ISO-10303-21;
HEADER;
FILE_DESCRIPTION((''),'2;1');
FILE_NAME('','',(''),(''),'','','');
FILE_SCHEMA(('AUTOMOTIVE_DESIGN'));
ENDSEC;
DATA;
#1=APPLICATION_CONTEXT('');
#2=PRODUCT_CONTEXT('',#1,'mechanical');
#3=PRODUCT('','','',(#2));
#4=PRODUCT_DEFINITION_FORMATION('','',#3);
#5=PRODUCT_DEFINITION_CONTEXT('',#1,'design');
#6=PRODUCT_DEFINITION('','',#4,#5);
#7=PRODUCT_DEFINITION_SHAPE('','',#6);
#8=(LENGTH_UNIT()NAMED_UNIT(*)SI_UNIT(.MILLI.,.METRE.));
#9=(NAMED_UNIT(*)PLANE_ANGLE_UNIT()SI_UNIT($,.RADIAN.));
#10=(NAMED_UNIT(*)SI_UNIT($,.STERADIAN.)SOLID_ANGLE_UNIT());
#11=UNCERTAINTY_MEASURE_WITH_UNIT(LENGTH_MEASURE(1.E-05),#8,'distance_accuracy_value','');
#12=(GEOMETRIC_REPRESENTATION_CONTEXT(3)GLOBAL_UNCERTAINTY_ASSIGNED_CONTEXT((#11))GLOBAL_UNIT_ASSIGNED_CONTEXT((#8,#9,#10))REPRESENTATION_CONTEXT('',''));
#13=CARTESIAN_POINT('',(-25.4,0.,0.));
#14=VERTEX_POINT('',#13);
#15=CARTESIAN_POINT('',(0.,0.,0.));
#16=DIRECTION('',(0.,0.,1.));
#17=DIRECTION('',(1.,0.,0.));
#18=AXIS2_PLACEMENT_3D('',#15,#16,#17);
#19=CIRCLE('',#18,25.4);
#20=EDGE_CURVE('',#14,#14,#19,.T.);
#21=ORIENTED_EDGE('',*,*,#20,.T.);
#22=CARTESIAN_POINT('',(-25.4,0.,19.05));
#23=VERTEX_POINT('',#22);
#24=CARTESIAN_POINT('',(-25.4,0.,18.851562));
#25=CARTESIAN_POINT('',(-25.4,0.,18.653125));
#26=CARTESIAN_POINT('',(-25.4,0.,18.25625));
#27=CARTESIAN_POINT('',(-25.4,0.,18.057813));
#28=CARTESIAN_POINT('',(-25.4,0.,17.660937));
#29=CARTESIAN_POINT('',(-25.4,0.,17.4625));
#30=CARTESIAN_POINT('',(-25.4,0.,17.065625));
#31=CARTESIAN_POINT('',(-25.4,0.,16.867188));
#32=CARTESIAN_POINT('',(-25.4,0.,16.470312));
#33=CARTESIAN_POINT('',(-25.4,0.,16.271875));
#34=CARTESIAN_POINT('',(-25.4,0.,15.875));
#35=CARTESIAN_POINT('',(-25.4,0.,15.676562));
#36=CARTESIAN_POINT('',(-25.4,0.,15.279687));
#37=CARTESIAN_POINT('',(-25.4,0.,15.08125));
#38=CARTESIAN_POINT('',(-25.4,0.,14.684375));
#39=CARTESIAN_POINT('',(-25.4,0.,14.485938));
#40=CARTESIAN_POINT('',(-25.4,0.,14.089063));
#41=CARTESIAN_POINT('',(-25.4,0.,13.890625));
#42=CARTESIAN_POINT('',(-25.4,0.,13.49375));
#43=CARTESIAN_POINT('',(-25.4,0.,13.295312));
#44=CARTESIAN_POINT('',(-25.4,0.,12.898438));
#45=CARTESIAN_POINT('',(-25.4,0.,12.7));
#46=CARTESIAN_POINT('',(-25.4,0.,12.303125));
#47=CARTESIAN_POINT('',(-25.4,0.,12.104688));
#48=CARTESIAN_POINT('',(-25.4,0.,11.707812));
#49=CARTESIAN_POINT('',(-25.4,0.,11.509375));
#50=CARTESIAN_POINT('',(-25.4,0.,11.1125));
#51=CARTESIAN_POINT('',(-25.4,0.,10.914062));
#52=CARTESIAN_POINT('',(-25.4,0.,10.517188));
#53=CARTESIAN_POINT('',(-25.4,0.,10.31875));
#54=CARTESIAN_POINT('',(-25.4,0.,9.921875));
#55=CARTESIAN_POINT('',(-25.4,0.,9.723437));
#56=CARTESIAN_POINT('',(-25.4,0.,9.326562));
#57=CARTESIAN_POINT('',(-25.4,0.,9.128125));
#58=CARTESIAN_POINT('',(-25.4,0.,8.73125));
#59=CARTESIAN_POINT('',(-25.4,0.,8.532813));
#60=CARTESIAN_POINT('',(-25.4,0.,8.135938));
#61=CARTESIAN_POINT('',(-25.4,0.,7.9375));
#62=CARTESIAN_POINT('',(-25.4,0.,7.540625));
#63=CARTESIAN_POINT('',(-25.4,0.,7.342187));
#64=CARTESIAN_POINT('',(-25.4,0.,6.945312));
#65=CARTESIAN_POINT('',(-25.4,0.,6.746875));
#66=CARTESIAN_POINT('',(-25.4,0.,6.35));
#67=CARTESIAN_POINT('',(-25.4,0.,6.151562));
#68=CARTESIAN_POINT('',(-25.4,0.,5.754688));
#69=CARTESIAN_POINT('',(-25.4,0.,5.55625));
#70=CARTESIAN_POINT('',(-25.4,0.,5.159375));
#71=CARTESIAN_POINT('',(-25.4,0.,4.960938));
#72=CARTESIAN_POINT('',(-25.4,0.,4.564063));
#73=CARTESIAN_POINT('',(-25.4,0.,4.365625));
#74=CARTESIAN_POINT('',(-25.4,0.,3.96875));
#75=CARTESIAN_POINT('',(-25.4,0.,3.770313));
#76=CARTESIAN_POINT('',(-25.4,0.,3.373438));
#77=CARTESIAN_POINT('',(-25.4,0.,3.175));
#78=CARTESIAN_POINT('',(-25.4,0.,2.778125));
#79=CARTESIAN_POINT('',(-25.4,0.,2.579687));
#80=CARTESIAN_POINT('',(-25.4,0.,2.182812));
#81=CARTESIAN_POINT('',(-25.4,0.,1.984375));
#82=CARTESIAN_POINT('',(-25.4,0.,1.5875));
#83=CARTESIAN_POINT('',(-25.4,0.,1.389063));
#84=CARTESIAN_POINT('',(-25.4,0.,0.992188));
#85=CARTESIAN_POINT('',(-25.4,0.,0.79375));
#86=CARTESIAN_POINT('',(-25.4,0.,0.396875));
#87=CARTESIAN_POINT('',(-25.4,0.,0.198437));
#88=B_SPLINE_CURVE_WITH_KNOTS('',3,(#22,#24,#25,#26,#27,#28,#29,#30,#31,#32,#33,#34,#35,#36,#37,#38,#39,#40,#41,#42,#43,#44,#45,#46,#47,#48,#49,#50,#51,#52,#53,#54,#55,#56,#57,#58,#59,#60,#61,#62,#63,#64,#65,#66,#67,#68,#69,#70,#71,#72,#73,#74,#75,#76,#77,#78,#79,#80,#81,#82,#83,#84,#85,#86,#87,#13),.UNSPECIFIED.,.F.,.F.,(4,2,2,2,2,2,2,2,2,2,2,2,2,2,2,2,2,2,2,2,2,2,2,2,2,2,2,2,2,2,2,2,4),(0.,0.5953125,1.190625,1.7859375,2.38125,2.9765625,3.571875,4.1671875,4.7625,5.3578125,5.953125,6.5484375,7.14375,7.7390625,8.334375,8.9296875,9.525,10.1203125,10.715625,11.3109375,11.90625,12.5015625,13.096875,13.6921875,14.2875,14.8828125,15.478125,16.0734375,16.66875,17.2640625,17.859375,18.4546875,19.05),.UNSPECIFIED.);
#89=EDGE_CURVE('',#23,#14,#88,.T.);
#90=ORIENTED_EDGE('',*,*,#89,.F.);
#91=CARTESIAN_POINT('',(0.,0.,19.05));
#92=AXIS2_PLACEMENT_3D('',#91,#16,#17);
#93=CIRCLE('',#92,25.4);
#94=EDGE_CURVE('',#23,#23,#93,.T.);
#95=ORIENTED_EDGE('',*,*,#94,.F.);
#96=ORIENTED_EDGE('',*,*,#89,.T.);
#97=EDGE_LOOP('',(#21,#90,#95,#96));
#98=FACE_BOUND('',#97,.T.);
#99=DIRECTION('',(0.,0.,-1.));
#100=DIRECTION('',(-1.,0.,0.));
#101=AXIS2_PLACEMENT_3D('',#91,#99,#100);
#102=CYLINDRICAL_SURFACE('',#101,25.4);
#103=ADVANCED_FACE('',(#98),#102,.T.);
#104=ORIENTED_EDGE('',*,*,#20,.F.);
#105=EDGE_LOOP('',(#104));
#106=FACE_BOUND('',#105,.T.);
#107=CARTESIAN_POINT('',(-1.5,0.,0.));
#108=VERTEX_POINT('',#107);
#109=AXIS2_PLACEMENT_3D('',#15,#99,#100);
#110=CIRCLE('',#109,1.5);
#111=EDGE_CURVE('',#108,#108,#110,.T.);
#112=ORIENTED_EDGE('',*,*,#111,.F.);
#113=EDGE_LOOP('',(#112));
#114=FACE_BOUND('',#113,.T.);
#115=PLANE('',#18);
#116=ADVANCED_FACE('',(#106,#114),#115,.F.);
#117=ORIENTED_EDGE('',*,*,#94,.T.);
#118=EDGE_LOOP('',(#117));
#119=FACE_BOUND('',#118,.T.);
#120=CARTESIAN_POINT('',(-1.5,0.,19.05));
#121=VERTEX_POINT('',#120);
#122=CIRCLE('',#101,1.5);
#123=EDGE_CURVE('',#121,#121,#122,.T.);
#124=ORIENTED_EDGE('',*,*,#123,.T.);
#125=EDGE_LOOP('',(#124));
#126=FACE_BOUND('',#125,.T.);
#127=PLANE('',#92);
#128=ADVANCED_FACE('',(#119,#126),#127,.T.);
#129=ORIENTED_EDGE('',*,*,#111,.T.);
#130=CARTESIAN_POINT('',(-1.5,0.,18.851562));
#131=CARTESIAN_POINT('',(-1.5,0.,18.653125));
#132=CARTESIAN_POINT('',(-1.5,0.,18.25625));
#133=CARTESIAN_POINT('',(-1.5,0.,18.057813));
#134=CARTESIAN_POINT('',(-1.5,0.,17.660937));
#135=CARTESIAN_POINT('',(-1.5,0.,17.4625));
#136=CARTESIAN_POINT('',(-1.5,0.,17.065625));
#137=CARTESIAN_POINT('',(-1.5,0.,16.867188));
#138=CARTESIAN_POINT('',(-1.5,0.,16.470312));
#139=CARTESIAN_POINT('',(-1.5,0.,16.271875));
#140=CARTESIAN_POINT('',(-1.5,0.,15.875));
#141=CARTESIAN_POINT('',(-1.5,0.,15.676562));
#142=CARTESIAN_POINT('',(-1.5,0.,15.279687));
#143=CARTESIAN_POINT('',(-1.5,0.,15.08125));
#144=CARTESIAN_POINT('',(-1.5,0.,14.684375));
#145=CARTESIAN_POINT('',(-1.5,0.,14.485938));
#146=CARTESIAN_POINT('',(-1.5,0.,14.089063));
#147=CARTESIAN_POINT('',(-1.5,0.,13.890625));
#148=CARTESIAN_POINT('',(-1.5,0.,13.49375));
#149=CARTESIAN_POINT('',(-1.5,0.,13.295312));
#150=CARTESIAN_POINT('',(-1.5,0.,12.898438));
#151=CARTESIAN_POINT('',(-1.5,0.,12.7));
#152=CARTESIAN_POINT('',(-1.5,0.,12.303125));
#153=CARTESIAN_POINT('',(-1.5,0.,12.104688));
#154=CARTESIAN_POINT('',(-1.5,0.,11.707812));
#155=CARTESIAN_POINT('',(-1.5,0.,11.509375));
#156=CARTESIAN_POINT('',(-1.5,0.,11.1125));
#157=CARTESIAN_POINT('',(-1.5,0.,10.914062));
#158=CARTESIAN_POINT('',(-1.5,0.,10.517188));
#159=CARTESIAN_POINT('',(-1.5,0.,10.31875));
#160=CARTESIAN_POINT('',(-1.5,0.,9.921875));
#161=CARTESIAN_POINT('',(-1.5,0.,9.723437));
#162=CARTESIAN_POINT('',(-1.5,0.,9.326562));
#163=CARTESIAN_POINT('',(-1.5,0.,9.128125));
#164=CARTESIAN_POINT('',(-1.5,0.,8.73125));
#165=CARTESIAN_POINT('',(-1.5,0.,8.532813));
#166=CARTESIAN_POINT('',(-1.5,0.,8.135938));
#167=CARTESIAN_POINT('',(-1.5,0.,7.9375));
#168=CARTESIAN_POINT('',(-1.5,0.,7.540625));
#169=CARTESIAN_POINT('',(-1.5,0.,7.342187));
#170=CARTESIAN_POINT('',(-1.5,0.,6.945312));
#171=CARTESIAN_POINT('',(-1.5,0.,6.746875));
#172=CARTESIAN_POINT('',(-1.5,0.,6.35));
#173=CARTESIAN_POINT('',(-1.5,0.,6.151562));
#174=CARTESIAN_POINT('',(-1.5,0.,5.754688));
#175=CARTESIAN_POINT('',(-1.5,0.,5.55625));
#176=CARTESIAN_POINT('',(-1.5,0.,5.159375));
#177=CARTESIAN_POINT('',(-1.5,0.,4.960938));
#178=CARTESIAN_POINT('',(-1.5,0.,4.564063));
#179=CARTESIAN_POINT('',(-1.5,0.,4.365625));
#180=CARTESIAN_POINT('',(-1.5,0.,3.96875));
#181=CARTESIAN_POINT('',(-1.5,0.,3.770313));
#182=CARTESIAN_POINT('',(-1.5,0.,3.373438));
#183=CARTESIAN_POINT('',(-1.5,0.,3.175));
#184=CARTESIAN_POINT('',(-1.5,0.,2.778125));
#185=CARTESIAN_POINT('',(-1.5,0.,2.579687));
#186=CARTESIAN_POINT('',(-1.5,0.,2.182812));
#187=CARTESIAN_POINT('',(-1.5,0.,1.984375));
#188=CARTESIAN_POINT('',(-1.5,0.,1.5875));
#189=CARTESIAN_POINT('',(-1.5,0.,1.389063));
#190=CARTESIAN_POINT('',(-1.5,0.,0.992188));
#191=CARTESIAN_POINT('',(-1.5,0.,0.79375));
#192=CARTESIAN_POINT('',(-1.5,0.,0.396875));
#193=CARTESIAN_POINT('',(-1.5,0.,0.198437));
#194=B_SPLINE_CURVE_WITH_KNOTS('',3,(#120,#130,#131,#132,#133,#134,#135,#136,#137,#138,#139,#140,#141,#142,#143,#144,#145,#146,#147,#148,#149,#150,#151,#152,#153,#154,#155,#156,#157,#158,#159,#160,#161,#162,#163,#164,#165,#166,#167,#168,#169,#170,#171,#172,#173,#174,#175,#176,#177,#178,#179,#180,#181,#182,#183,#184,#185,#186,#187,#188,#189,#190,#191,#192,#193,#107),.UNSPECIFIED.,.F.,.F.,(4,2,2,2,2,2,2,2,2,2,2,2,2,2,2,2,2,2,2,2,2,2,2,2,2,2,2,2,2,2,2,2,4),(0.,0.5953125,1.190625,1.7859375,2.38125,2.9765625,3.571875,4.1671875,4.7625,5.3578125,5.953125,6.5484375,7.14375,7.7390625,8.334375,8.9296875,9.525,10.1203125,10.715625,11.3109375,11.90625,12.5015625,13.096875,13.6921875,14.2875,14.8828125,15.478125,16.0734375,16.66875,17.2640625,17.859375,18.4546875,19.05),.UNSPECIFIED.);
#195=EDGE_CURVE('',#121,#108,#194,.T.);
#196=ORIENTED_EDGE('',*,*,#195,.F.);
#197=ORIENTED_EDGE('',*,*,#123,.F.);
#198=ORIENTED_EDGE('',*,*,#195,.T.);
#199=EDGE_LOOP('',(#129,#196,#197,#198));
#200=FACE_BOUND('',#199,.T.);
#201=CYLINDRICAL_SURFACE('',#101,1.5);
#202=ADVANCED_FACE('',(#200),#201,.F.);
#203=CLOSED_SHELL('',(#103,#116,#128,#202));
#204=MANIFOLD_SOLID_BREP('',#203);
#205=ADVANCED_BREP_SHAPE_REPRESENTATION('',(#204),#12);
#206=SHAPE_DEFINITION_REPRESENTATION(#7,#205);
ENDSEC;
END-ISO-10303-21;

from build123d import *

# Parameters (mm, degrees)
SKETCH4_R           = 25.4
BOSS_EXTRUDE4_DEPTH = 19.05
SKETCH6_R           = 1.5
CUT_EXTRUDE1_DEPTH  = 19.05


with BuildPart() as part:
    # Sketch4 → Boss-Extrude4 (new body)
    with BuildSketch(Plane.XY):
        with Locations(Location((0, 0, 0), (0, 0, 180))):
            Circle(SKETCH4_R)
    extrude(amount=BOSS_EXTRUDE4_DEPTH)

    # Sketch6 → Cut-Extrude1 (cut)
    with BuildSketch(Plane(origin=(0, 0, 0), x_dir=(-1, 0, 0), z_dir=(0, 0, -1))):
        Circle(SKETCH6_R)
    extrude(amount=-CUT_EXTRUDE1_DEPTH, mode=Mode.SUBTRACT)


solid = part.part
